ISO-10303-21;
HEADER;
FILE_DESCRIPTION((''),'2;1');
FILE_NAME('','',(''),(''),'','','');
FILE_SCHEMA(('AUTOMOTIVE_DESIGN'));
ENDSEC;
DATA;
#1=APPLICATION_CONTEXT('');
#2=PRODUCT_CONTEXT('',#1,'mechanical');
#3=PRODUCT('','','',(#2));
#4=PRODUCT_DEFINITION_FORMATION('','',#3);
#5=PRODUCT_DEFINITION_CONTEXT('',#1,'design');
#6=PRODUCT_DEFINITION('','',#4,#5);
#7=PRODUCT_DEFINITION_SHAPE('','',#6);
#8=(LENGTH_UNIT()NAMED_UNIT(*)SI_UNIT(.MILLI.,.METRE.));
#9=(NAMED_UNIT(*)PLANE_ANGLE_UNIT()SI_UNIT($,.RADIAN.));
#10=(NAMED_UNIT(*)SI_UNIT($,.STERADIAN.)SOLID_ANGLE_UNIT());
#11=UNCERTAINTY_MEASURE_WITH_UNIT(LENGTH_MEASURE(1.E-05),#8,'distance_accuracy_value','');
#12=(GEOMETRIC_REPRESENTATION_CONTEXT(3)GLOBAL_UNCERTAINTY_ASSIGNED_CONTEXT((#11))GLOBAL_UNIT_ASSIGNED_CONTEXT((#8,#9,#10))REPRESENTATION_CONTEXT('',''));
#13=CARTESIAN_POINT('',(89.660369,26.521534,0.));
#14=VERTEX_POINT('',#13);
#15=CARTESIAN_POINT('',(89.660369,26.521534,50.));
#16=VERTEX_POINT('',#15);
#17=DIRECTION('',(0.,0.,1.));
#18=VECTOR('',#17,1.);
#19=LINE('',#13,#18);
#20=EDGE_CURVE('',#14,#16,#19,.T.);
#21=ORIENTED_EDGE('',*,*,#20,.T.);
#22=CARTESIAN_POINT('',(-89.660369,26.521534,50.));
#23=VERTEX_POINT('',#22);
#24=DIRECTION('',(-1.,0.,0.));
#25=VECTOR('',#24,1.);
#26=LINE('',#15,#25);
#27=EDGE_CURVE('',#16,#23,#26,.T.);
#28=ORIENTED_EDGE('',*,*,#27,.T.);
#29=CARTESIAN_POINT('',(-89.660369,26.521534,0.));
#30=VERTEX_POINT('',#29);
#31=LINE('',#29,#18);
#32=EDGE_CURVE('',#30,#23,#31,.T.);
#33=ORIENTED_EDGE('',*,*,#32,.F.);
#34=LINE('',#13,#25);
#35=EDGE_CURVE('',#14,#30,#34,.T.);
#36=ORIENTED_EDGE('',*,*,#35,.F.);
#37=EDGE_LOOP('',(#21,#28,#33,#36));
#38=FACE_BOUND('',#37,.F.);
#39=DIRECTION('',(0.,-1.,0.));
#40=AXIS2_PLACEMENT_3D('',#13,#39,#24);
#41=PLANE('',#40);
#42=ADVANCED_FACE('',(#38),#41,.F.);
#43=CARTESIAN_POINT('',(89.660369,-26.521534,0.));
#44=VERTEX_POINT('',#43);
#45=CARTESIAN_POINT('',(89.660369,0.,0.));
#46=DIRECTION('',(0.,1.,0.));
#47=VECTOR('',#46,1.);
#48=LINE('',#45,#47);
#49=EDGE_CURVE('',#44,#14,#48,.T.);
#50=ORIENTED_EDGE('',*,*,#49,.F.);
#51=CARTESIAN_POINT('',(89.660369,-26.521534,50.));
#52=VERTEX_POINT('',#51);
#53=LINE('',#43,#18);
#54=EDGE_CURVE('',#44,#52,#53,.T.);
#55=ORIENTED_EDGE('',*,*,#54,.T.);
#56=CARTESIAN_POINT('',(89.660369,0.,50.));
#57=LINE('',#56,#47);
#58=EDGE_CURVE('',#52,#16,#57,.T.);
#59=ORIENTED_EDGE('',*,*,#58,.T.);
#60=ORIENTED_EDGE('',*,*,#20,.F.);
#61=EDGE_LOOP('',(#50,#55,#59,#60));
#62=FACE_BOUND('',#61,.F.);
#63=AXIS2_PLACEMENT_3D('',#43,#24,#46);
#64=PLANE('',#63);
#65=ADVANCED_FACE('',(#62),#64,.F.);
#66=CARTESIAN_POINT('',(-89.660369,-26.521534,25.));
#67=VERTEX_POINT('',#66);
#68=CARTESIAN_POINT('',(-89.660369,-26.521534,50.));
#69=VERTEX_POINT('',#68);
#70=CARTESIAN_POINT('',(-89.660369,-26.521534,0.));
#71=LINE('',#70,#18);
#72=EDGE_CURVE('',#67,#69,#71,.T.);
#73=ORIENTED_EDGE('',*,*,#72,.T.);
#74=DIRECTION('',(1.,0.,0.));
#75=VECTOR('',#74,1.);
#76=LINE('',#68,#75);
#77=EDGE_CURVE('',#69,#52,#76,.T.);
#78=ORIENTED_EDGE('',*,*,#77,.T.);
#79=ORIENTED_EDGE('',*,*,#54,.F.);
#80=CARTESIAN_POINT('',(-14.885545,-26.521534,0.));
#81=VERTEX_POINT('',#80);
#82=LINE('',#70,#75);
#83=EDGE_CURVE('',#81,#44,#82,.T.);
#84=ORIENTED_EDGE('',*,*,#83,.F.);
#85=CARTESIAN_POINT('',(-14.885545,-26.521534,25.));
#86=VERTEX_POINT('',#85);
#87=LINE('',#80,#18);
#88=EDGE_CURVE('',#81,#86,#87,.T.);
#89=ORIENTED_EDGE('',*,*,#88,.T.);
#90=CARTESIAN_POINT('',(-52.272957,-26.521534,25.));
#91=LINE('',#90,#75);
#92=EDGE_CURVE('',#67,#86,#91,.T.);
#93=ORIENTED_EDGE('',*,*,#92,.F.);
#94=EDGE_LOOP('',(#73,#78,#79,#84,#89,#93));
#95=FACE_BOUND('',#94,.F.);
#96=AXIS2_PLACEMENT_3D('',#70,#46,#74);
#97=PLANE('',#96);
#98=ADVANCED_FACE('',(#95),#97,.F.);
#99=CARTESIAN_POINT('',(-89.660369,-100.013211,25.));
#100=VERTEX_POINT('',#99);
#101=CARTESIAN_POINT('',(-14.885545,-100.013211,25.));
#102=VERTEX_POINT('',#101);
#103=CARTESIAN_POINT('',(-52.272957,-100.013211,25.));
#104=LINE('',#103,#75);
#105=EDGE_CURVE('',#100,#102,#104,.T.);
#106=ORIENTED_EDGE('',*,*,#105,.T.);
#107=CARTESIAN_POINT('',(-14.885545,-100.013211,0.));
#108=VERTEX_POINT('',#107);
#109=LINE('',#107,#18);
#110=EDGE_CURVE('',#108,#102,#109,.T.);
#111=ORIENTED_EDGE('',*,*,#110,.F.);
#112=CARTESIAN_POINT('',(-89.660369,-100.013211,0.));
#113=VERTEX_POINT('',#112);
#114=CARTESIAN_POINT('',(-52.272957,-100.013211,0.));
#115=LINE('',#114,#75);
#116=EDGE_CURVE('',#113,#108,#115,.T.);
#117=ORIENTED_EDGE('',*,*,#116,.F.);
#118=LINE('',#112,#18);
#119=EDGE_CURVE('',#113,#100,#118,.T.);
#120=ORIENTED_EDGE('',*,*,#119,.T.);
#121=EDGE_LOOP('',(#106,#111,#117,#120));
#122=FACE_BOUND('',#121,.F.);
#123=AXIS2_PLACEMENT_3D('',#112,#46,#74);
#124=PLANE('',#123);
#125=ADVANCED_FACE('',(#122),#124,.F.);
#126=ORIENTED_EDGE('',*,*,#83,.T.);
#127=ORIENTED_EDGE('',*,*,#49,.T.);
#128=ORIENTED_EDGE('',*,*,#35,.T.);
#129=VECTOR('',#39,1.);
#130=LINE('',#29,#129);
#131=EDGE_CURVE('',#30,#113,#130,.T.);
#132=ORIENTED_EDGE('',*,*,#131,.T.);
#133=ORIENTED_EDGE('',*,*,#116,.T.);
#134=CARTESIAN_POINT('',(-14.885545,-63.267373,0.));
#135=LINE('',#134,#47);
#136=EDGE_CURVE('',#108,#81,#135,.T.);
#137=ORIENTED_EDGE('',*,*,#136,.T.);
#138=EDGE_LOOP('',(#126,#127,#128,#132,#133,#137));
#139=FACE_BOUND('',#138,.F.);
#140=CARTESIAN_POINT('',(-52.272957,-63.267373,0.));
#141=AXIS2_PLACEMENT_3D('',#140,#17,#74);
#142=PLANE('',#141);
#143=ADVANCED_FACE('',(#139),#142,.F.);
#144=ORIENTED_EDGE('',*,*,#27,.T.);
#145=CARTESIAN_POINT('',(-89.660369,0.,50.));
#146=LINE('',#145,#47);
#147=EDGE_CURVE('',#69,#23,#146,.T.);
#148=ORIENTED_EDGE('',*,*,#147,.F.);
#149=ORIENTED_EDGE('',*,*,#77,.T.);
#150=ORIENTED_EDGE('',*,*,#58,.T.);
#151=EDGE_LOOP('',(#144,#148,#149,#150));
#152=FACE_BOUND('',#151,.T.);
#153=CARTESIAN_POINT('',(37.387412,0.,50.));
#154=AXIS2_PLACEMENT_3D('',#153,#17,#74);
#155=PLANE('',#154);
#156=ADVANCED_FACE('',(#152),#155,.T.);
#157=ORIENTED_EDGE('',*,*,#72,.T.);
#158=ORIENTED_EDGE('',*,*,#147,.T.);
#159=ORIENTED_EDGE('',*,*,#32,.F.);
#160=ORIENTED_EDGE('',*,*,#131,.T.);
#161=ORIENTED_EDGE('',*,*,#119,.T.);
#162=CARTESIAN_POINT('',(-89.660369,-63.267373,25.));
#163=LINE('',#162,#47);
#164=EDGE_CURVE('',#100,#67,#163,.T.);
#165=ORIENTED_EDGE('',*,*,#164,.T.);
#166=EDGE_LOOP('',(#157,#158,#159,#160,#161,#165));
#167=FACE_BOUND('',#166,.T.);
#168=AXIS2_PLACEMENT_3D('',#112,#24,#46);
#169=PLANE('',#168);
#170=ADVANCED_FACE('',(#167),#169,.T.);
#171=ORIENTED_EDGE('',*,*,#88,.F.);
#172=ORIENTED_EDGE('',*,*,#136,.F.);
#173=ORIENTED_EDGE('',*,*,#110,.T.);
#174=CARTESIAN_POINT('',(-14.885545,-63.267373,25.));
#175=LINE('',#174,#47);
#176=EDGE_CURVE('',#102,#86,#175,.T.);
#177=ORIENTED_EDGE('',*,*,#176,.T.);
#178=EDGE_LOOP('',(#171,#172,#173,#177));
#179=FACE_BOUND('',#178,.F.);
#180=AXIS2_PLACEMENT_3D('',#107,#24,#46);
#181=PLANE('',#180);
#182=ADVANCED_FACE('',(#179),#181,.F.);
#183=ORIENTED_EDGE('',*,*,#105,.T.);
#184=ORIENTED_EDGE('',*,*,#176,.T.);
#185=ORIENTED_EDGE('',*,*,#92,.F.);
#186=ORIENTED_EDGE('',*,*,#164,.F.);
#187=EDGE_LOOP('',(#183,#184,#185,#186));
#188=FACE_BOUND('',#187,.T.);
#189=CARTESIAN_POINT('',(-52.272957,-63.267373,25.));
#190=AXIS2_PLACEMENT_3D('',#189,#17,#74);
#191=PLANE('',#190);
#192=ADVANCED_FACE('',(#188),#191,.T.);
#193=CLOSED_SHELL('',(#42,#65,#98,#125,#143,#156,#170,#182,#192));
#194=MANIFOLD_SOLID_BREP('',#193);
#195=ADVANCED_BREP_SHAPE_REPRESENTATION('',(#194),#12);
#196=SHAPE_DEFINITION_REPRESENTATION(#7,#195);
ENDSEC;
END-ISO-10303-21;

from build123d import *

# Parameters (mm, degrees)
F0_W     = 104.5459136367
F0_H     = 53.0430674553
F0_W_2   = 74.7748240829
F1_DEPTH = 50
F0_H_2   = 73.4916776419
F2_DEPTH = 25


with BuildPart() as f1:
    # F0 (on Top) → F1 (new body)
    with BuildSketch(Plane.XY):
        with Locations((37.3874120414, 0)):
            Rectangle(F0_W, F0_H)
        with Locations((-52.2729568183, 0)):
            Rectangle(F0_W_2, F0_H)
    extrude(amount=F1_DEPTH)

    # F0 (on Top) → F2 (join)
    with BuildSketch(Plane.XY):
        with Locations((-52.2729568183, -63.2673725486)):
            Rectangle(F0_W_2, F0_H_2)
    extrude(amount=F2_DEPTH)


solid = f1.part
